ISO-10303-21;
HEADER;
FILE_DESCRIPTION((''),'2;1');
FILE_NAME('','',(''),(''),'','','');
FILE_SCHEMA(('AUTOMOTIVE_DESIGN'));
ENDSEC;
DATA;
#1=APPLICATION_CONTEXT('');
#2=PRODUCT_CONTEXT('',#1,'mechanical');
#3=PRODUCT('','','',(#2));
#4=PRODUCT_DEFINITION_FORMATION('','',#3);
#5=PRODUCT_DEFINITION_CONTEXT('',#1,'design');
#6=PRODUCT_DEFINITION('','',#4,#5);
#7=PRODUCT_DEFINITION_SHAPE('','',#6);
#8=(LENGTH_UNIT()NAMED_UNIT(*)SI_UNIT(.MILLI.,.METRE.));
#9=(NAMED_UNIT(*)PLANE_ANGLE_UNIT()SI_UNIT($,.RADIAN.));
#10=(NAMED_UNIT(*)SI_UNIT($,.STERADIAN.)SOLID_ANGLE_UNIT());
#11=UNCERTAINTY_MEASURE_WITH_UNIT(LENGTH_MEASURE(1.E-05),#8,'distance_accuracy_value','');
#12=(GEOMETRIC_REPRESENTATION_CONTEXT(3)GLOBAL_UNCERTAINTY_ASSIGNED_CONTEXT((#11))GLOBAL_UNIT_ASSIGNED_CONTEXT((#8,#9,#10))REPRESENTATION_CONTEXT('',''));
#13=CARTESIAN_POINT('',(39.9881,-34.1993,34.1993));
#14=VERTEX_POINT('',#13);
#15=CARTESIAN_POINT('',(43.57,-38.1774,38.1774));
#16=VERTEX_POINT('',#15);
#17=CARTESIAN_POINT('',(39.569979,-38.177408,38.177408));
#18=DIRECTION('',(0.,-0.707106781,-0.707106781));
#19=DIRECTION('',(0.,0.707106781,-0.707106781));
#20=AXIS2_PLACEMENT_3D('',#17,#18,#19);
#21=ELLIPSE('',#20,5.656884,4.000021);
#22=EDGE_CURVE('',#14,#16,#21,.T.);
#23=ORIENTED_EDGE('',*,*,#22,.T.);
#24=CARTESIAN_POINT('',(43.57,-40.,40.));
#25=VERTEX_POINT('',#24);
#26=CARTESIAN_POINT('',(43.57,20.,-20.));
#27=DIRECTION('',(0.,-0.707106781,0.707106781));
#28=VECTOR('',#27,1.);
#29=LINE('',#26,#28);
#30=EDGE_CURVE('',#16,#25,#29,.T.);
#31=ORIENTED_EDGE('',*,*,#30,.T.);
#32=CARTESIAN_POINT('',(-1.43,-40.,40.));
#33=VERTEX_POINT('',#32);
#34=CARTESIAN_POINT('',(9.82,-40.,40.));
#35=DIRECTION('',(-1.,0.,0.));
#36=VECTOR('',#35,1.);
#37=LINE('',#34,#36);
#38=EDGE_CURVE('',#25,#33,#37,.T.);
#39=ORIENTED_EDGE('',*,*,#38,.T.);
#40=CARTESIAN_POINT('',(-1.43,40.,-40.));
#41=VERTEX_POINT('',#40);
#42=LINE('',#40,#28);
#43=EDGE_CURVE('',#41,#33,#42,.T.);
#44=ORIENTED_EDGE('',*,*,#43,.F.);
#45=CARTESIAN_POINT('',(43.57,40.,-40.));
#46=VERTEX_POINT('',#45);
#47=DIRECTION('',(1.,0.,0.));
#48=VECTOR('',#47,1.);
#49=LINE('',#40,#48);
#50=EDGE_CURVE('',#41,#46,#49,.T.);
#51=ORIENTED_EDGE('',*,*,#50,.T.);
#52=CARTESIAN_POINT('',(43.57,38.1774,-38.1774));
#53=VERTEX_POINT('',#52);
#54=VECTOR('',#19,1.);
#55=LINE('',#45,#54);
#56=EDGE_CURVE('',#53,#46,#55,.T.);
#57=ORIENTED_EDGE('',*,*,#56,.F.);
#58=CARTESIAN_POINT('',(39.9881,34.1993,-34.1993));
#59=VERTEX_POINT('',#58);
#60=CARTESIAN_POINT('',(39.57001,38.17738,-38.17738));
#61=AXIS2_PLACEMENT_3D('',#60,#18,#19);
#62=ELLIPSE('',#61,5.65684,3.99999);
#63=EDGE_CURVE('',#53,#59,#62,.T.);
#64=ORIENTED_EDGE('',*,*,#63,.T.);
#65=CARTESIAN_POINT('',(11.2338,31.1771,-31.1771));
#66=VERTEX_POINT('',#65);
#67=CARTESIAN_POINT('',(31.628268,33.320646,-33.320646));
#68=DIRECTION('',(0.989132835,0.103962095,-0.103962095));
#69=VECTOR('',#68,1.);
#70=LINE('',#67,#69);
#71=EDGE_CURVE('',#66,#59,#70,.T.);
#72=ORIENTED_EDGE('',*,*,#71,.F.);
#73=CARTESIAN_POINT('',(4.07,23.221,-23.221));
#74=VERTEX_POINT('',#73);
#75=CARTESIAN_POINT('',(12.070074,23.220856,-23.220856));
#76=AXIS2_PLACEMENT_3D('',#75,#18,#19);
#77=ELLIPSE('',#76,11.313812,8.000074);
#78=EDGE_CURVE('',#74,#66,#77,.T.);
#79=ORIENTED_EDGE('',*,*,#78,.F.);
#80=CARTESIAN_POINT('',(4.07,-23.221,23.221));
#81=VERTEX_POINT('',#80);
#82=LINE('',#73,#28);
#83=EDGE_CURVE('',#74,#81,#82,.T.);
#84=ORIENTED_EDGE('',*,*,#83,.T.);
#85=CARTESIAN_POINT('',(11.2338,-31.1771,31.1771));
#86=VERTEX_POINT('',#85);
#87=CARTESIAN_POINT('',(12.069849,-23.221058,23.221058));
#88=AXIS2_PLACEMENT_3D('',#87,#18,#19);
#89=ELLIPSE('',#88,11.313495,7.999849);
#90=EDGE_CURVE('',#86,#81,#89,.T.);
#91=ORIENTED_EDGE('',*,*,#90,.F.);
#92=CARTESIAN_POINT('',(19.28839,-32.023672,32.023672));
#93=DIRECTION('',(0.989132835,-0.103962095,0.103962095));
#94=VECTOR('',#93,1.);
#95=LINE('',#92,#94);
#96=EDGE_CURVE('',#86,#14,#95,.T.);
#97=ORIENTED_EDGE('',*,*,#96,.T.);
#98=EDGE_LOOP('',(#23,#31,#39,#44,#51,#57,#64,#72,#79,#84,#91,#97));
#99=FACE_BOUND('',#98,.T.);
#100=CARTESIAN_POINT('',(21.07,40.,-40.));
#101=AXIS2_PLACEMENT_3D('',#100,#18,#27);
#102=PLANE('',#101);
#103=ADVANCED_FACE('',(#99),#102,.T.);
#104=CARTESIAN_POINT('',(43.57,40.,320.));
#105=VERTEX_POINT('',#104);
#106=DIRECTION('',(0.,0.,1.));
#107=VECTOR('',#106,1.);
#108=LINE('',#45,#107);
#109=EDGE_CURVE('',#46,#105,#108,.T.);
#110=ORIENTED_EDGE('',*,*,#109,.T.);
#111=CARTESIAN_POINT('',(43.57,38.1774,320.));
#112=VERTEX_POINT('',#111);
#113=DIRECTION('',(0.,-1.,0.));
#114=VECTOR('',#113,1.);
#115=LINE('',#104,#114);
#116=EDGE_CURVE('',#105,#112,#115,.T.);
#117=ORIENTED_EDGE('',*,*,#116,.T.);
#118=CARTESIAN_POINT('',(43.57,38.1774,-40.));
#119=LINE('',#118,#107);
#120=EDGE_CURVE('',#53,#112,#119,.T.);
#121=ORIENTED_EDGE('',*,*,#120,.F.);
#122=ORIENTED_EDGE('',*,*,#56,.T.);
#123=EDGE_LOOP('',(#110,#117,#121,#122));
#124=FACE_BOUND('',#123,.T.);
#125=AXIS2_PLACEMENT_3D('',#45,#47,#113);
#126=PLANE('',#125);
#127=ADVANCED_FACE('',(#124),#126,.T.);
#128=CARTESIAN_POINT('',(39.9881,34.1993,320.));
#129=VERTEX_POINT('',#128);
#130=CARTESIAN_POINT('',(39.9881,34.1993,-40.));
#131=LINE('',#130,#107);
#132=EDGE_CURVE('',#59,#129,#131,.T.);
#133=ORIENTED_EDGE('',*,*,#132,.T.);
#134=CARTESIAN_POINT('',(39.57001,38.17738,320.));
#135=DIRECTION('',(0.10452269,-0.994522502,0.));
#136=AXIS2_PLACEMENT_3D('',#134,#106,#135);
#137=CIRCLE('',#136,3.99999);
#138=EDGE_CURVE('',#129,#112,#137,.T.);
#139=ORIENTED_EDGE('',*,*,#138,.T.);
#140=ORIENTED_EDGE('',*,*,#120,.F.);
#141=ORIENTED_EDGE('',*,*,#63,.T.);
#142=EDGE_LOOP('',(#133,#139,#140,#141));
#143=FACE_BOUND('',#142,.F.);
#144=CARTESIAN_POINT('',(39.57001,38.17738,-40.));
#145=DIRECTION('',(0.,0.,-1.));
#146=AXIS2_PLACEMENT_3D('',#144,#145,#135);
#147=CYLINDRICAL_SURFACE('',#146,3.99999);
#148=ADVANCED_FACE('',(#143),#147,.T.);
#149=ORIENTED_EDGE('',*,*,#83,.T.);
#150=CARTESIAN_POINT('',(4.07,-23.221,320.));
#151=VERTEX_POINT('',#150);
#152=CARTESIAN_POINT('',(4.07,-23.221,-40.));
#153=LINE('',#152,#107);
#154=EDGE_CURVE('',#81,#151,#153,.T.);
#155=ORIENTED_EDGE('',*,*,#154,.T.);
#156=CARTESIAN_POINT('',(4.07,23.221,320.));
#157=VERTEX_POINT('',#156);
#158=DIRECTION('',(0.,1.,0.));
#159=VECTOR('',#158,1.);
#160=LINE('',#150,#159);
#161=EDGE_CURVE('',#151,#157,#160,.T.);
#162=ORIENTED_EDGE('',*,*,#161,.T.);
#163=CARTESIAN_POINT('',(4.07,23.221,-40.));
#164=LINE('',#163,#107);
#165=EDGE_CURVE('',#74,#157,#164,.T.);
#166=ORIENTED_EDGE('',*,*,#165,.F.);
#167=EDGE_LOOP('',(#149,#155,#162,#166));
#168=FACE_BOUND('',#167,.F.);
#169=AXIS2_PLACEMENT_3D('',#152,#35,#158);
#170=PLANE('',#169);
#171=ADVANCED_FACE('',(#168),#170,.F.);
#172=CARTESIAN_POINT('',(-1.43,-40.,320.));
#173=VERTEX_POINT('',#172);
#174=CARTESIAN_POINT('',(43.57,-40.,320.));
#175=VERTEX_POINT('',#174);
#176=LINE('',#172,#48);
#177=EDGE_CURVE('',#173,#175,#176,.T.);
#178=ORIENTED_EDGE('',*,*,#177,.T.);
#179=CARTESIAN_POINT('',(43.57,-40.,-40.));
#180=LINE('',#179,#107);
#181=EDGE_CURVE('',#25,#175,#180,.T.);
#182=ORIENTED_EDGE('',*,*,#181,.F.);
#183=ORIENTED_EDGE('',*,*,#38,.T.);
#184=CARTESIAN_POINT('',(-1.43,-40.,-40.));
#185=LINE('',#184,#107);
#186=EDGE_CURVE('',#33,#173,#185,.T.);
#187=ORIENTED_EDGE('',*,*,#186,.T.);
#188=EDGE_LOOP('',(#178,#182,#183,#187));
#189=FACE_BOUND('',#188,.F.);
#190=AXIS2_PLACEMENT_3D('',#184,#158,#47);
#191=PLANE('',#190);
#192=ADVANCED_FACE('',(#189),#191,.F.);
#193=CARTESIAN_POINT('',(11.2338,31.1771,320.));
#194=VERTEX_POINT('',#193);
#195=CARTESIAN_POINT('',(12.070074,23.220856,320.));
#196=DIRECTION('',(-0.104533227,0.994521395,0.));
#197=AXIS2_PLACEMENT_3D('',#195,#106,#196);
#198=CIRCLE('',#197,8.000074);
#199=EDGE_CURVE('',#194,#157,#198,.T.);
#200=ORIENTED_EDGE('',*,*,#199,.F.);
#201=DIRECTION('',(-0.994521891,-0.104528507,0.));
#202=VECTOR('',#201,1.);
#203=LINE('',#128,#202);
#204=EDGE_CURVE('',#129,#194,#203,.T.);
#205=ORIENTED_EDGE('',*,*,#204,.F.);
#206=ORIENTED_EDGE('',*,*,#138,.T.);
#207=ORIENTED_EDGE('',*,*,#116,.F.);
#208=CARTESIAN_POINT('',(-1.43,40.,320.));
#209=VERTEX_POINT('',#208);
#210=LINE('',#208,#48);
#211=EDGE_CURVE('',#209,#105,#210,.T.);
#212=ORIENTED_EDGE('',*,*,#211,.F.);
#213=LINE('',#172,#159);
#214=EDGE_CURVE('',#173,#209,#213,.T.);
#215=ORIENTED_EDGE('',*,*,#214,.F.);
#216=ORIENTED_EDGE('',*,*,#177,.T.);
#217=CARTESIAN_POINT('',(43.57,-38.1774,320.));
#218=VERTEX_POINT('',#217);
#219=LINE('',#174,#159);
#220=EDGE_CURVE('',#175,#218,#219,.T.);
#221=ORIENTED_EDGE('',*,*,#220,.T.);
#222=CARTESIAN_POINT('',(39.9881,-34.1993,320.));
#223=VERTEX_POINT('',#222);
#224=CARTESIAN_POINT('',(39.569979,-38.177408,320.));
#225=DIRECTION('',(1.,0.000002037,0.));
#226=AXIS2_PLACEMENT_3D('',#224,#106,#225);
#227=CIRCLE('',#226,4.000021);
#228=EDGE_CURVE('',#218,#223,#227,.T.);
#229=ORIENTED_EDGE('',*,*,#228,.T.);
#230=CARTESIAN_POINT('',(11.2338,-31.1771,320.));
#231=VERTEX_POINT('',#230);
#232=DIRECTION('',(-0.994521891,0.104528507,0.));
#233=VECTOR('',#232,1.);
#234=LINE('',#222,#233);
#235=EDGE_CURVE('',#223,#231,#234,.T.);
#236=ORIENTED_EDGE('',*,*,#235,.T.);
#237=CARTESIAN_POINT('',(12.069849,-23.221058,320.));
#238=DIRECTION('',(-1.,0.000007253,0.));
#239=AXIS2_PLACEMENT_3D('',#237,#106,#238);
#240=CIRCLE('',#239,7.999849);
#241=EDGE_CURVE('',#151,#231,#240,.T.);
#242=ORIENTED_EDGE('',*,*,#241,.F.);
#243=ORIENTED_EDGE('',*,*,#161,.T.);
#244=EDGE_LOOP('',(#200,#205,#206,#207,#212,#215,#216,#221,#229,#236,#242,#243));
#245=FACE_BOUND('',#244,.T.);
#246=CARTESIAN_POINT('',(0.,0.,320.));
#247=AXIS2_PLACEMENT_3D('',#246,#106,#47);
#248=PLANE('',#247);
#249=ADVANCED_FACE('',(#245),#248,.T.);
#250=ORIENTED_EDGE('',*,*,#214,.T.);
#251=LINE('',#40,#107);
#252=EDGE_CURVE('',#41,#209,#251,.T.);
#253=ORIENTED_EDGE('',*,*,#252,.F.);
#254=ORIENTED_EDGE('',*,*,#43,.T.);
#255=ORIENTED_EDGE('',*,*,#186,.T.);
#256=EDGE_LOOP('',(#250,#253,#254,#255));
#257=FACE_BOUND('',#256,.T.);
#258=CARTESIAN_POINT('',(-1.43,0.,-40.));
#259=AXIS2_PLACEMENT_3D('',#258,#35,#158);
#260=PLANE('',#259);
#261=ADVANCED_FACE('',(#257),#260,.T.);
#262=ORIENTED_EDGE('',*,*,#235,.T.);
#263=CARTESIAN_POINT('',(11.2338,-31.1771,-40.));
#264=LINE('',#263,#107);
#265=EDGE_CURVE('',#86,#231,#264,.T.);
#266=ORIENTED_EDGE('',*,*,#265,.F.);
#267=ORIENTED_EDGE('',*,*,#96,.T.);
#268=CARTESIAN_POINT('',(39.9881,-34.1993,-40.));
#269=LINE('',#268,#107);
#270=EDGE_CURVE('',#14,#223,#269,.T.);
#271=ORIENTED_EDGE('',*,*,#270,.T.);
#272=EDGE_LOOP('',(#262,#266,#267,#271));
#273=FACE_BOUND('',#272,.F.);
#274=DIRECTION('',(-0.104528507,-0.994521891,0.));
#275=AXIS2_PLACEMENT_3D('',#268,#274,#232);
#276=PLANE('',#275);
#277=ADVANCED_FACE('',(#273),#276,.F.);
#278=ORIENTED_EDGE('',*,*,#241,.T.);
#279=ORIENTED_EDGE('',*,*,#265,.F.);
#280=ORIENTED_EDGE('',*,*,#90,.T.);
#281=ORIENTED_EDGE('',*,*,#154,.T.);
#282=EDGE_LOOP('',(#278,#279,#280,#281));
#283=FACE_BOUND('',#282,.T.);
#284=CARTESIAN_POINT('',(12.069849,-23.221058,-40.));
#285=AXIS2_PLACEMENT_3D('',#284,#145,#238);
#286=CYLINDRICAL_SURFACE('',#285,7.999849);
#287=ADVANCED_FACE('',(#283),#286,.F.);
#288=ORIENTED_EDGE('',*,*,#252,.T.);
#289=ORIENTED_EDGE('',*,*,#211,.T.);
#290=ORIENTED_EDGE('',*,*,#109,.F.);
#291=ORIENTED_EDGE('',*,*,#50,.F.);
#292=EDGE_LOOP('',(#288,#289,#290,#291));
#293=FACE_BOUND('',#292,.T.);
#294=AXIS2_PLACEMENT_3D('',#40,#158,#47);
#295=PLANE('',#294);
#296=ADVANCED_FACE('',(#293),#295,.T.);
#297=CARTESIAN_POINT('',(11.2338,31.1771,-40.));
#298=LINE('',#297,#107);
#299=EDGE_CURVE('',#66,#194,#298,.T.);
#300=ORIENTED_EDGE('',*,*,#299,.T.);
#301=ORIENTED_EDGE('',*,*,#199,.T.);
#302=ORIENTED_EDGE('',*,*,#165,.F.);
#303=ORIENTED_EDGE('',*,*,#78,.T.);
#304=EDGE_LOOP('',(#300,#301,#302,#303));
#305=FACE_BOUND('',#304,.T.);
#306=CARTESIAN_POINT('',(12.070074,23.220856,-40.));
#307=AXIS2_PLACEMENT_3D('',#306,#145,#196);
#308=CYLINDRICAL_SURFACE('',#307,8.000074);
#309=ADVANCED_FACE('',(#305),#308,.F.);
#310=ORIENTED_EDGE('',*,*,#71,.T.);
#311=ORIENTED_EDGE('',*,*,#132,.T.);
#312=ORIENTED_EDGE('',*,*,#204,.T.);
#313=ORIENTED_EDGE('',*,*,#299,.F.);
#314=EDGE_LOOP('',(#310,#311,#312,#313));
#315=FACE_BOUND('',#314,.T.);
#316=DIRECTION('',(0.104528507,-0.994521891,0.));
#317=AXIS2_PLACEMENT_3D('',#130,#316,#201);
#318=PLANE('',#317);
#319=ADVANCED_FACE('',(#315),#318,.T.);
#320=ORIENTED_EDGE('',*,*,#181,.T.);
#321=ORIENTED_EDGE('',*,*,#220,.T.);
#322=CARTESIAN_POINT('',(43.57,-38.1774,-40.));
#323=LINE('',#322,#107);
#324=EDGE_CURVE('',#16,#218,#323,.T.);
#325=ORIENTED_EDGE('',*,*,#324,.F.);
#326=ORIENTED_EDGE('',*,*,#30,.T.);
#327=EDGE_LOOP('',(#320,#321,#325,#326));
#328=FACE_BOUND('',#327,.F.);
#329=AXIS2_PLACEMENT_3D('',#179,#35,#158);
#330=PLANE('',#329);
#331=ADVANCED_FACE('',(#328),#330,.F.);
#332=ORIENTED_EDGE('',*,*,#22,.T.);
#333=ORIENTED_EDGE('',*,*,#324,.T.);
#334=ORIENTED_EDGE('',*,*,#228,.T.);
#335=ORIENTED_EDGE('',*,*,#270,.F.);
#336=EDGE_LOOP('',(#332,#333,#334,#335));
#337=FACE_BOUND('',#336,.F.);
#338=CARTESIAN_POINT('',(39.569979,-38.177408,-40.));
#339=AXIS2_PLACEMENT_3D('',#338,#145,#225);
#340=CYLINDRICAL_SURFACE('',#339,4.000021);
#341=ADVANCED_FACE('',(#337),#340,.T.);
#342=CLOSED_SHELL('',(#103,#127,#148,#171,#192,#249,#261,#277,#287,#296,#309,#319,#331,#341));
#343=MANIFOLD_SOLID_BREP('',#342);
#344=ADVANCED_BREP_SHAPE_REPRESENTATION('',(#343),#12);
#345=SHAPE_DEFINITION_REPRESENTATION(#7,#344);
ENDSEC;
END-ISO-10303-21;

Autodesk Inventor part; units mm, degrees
ref_plane "Начальная плоскость" through (0, 0, -40) normal (0, 0, 1) x (1, 0, 0)
ref_plane "Конечная плоскость" through (0, 0, 320) normal (0, 0, 1) x (1, 0, 0)
sketch "Эскиз" plane through (0, 0, 0) normal (0, 0, 1) x (1, 0, 0)
  line L0 (-1.43, 0) -> (-1.43, 40)
  line L1 (-1.43, 40) -> (43.57, 40)
  line L2 (43.57, 40) -> (43.57, 38.1774)
  line L3 (39.9881, 34.1993) -> (11.2338, 31.1771)
  line L4 (4.07, 23.221) -> (4.07, 0)
  line L5 (4.07, 0) -> (-1.43, 0) construction
  line L6 (23.82, 40) -> (23.82, 32.5) construction
  line L7 (43.57, 34.5758) -> (43.57, 32.5) construction
  line L8 (43.57, 32.5) -> (23.82, 32.5) construction
  line L9 (0, 15) -> (0, -27) construction
  line L10 (-5.539, 0) -> (16.0067, 0) construction
  line L11 (-1.43, 0) -> (-1.43, -40)
  line L12 (-1.43, -40) -> (43.57, -40)
  line L13 (43.57, -40) -> (43.57, -38.1774)
  line L14 (39.9881, -34.1993) -> (11.2338, -31.1771)
  line L15 (4.07, -23.221) -> (4.07, 0)
  arc A0 (11.2338, 31.1771) -> (4.07, 23.221) centre (12.07, 23.221) ccw
  arc A1 (4.07, -23.221) -> (11.2338, -31.1771) centre (12.07, -23.221) ccw
  arc A2 (39.9881, 34.1993) -> (43.57, 38.1774) centre (39.57, 38.1774) ccw
  arc A3 (43.57, -38.1774) -> (39.9881, -34.1993) centre (39.57, -38.1774) ccw
  line L16 (0, 56) -> (0, -56) construction
  line L17 (-15.5135, 0) -> (54.308, 0) construction
  point P0 (4.07, 30.4242)
  point P1 (43.57, -34.5758)
  point P2 (4.07, -30.4242)
  point P3 (23.82, -40)
  point P4 (23.82, -32.5)
  dimension "d0" = 5.5
  dimension "d1" = 40
  dimension "d2" = 45
  dimension "d3" = 7.5
  dimension "d4" = 19.75
  dimension "d5" = 2.0758
  dimension "d23" = 8
  dimension "d24" = 4
  dimension "d25" = 1.43
extrude "Тело" add sketch "Эскиз" along normal up to surface (360 mm away) from surface at -40
sketch "Sketch3" plane through (0, 0, 0) normal (0, 0, 1) x (1, 0, 0)
  line L0 (0, 0) -> (10, 0)
ref_plane "Work Plane3" through (0, 0, 0) normal (0, -1, 0) x (1, 0, 0)
sketch "Sketch4" plane through (0, 0, 0) normal (0, -1, 0) x (1, 0, 0)
  line L0 (-2, -40) -> (12, -40)
  line L1 (-2, 320) -> (12, 320)
  dimension "d29" = 360
ref_plane "РабПлоскость4" through (21.07, 40, -40) normal (0, -0.7071, -0.7071) x (1, 0, 0)
split "Разделение1" plane through (21.07, 40, -40) removes the side toward (0, -0.7071, -0.7071)
equation "\"d0\" = G_T"
equation "\"d1\" = 0.5 * G_H"
equation "\"d2\" = G_W"
equation "\"d3\" = G_T1"
equation "\"d4\" = G_C"
equation "\"d23\" = G_IR"
equation "\"d24\" = G_ER"
equation "\"d25\" = ex"
equation "\"d6\" = G_L"
equation "\"G_W\" = 45"
equation "\"G_T\" = 5.5"
equation "\"G_T1\" = 7.5"
equation "\"G_NG\" = 0.105104"
equation "\"G_ER\" = 4"
equation "\"G_IR\" = 8"
equation "\"G_C\" = 19.75"
equation "\"G_L\" = d29"
equation "\"ex\" = 1.43"
equation "\"G_OFFSET_END\" = 0"
equation "\"G_H\" = 80"
properties part number "ISO 657/11 - CH 80 x 8 - 360" material "Сталь, мягкая"
